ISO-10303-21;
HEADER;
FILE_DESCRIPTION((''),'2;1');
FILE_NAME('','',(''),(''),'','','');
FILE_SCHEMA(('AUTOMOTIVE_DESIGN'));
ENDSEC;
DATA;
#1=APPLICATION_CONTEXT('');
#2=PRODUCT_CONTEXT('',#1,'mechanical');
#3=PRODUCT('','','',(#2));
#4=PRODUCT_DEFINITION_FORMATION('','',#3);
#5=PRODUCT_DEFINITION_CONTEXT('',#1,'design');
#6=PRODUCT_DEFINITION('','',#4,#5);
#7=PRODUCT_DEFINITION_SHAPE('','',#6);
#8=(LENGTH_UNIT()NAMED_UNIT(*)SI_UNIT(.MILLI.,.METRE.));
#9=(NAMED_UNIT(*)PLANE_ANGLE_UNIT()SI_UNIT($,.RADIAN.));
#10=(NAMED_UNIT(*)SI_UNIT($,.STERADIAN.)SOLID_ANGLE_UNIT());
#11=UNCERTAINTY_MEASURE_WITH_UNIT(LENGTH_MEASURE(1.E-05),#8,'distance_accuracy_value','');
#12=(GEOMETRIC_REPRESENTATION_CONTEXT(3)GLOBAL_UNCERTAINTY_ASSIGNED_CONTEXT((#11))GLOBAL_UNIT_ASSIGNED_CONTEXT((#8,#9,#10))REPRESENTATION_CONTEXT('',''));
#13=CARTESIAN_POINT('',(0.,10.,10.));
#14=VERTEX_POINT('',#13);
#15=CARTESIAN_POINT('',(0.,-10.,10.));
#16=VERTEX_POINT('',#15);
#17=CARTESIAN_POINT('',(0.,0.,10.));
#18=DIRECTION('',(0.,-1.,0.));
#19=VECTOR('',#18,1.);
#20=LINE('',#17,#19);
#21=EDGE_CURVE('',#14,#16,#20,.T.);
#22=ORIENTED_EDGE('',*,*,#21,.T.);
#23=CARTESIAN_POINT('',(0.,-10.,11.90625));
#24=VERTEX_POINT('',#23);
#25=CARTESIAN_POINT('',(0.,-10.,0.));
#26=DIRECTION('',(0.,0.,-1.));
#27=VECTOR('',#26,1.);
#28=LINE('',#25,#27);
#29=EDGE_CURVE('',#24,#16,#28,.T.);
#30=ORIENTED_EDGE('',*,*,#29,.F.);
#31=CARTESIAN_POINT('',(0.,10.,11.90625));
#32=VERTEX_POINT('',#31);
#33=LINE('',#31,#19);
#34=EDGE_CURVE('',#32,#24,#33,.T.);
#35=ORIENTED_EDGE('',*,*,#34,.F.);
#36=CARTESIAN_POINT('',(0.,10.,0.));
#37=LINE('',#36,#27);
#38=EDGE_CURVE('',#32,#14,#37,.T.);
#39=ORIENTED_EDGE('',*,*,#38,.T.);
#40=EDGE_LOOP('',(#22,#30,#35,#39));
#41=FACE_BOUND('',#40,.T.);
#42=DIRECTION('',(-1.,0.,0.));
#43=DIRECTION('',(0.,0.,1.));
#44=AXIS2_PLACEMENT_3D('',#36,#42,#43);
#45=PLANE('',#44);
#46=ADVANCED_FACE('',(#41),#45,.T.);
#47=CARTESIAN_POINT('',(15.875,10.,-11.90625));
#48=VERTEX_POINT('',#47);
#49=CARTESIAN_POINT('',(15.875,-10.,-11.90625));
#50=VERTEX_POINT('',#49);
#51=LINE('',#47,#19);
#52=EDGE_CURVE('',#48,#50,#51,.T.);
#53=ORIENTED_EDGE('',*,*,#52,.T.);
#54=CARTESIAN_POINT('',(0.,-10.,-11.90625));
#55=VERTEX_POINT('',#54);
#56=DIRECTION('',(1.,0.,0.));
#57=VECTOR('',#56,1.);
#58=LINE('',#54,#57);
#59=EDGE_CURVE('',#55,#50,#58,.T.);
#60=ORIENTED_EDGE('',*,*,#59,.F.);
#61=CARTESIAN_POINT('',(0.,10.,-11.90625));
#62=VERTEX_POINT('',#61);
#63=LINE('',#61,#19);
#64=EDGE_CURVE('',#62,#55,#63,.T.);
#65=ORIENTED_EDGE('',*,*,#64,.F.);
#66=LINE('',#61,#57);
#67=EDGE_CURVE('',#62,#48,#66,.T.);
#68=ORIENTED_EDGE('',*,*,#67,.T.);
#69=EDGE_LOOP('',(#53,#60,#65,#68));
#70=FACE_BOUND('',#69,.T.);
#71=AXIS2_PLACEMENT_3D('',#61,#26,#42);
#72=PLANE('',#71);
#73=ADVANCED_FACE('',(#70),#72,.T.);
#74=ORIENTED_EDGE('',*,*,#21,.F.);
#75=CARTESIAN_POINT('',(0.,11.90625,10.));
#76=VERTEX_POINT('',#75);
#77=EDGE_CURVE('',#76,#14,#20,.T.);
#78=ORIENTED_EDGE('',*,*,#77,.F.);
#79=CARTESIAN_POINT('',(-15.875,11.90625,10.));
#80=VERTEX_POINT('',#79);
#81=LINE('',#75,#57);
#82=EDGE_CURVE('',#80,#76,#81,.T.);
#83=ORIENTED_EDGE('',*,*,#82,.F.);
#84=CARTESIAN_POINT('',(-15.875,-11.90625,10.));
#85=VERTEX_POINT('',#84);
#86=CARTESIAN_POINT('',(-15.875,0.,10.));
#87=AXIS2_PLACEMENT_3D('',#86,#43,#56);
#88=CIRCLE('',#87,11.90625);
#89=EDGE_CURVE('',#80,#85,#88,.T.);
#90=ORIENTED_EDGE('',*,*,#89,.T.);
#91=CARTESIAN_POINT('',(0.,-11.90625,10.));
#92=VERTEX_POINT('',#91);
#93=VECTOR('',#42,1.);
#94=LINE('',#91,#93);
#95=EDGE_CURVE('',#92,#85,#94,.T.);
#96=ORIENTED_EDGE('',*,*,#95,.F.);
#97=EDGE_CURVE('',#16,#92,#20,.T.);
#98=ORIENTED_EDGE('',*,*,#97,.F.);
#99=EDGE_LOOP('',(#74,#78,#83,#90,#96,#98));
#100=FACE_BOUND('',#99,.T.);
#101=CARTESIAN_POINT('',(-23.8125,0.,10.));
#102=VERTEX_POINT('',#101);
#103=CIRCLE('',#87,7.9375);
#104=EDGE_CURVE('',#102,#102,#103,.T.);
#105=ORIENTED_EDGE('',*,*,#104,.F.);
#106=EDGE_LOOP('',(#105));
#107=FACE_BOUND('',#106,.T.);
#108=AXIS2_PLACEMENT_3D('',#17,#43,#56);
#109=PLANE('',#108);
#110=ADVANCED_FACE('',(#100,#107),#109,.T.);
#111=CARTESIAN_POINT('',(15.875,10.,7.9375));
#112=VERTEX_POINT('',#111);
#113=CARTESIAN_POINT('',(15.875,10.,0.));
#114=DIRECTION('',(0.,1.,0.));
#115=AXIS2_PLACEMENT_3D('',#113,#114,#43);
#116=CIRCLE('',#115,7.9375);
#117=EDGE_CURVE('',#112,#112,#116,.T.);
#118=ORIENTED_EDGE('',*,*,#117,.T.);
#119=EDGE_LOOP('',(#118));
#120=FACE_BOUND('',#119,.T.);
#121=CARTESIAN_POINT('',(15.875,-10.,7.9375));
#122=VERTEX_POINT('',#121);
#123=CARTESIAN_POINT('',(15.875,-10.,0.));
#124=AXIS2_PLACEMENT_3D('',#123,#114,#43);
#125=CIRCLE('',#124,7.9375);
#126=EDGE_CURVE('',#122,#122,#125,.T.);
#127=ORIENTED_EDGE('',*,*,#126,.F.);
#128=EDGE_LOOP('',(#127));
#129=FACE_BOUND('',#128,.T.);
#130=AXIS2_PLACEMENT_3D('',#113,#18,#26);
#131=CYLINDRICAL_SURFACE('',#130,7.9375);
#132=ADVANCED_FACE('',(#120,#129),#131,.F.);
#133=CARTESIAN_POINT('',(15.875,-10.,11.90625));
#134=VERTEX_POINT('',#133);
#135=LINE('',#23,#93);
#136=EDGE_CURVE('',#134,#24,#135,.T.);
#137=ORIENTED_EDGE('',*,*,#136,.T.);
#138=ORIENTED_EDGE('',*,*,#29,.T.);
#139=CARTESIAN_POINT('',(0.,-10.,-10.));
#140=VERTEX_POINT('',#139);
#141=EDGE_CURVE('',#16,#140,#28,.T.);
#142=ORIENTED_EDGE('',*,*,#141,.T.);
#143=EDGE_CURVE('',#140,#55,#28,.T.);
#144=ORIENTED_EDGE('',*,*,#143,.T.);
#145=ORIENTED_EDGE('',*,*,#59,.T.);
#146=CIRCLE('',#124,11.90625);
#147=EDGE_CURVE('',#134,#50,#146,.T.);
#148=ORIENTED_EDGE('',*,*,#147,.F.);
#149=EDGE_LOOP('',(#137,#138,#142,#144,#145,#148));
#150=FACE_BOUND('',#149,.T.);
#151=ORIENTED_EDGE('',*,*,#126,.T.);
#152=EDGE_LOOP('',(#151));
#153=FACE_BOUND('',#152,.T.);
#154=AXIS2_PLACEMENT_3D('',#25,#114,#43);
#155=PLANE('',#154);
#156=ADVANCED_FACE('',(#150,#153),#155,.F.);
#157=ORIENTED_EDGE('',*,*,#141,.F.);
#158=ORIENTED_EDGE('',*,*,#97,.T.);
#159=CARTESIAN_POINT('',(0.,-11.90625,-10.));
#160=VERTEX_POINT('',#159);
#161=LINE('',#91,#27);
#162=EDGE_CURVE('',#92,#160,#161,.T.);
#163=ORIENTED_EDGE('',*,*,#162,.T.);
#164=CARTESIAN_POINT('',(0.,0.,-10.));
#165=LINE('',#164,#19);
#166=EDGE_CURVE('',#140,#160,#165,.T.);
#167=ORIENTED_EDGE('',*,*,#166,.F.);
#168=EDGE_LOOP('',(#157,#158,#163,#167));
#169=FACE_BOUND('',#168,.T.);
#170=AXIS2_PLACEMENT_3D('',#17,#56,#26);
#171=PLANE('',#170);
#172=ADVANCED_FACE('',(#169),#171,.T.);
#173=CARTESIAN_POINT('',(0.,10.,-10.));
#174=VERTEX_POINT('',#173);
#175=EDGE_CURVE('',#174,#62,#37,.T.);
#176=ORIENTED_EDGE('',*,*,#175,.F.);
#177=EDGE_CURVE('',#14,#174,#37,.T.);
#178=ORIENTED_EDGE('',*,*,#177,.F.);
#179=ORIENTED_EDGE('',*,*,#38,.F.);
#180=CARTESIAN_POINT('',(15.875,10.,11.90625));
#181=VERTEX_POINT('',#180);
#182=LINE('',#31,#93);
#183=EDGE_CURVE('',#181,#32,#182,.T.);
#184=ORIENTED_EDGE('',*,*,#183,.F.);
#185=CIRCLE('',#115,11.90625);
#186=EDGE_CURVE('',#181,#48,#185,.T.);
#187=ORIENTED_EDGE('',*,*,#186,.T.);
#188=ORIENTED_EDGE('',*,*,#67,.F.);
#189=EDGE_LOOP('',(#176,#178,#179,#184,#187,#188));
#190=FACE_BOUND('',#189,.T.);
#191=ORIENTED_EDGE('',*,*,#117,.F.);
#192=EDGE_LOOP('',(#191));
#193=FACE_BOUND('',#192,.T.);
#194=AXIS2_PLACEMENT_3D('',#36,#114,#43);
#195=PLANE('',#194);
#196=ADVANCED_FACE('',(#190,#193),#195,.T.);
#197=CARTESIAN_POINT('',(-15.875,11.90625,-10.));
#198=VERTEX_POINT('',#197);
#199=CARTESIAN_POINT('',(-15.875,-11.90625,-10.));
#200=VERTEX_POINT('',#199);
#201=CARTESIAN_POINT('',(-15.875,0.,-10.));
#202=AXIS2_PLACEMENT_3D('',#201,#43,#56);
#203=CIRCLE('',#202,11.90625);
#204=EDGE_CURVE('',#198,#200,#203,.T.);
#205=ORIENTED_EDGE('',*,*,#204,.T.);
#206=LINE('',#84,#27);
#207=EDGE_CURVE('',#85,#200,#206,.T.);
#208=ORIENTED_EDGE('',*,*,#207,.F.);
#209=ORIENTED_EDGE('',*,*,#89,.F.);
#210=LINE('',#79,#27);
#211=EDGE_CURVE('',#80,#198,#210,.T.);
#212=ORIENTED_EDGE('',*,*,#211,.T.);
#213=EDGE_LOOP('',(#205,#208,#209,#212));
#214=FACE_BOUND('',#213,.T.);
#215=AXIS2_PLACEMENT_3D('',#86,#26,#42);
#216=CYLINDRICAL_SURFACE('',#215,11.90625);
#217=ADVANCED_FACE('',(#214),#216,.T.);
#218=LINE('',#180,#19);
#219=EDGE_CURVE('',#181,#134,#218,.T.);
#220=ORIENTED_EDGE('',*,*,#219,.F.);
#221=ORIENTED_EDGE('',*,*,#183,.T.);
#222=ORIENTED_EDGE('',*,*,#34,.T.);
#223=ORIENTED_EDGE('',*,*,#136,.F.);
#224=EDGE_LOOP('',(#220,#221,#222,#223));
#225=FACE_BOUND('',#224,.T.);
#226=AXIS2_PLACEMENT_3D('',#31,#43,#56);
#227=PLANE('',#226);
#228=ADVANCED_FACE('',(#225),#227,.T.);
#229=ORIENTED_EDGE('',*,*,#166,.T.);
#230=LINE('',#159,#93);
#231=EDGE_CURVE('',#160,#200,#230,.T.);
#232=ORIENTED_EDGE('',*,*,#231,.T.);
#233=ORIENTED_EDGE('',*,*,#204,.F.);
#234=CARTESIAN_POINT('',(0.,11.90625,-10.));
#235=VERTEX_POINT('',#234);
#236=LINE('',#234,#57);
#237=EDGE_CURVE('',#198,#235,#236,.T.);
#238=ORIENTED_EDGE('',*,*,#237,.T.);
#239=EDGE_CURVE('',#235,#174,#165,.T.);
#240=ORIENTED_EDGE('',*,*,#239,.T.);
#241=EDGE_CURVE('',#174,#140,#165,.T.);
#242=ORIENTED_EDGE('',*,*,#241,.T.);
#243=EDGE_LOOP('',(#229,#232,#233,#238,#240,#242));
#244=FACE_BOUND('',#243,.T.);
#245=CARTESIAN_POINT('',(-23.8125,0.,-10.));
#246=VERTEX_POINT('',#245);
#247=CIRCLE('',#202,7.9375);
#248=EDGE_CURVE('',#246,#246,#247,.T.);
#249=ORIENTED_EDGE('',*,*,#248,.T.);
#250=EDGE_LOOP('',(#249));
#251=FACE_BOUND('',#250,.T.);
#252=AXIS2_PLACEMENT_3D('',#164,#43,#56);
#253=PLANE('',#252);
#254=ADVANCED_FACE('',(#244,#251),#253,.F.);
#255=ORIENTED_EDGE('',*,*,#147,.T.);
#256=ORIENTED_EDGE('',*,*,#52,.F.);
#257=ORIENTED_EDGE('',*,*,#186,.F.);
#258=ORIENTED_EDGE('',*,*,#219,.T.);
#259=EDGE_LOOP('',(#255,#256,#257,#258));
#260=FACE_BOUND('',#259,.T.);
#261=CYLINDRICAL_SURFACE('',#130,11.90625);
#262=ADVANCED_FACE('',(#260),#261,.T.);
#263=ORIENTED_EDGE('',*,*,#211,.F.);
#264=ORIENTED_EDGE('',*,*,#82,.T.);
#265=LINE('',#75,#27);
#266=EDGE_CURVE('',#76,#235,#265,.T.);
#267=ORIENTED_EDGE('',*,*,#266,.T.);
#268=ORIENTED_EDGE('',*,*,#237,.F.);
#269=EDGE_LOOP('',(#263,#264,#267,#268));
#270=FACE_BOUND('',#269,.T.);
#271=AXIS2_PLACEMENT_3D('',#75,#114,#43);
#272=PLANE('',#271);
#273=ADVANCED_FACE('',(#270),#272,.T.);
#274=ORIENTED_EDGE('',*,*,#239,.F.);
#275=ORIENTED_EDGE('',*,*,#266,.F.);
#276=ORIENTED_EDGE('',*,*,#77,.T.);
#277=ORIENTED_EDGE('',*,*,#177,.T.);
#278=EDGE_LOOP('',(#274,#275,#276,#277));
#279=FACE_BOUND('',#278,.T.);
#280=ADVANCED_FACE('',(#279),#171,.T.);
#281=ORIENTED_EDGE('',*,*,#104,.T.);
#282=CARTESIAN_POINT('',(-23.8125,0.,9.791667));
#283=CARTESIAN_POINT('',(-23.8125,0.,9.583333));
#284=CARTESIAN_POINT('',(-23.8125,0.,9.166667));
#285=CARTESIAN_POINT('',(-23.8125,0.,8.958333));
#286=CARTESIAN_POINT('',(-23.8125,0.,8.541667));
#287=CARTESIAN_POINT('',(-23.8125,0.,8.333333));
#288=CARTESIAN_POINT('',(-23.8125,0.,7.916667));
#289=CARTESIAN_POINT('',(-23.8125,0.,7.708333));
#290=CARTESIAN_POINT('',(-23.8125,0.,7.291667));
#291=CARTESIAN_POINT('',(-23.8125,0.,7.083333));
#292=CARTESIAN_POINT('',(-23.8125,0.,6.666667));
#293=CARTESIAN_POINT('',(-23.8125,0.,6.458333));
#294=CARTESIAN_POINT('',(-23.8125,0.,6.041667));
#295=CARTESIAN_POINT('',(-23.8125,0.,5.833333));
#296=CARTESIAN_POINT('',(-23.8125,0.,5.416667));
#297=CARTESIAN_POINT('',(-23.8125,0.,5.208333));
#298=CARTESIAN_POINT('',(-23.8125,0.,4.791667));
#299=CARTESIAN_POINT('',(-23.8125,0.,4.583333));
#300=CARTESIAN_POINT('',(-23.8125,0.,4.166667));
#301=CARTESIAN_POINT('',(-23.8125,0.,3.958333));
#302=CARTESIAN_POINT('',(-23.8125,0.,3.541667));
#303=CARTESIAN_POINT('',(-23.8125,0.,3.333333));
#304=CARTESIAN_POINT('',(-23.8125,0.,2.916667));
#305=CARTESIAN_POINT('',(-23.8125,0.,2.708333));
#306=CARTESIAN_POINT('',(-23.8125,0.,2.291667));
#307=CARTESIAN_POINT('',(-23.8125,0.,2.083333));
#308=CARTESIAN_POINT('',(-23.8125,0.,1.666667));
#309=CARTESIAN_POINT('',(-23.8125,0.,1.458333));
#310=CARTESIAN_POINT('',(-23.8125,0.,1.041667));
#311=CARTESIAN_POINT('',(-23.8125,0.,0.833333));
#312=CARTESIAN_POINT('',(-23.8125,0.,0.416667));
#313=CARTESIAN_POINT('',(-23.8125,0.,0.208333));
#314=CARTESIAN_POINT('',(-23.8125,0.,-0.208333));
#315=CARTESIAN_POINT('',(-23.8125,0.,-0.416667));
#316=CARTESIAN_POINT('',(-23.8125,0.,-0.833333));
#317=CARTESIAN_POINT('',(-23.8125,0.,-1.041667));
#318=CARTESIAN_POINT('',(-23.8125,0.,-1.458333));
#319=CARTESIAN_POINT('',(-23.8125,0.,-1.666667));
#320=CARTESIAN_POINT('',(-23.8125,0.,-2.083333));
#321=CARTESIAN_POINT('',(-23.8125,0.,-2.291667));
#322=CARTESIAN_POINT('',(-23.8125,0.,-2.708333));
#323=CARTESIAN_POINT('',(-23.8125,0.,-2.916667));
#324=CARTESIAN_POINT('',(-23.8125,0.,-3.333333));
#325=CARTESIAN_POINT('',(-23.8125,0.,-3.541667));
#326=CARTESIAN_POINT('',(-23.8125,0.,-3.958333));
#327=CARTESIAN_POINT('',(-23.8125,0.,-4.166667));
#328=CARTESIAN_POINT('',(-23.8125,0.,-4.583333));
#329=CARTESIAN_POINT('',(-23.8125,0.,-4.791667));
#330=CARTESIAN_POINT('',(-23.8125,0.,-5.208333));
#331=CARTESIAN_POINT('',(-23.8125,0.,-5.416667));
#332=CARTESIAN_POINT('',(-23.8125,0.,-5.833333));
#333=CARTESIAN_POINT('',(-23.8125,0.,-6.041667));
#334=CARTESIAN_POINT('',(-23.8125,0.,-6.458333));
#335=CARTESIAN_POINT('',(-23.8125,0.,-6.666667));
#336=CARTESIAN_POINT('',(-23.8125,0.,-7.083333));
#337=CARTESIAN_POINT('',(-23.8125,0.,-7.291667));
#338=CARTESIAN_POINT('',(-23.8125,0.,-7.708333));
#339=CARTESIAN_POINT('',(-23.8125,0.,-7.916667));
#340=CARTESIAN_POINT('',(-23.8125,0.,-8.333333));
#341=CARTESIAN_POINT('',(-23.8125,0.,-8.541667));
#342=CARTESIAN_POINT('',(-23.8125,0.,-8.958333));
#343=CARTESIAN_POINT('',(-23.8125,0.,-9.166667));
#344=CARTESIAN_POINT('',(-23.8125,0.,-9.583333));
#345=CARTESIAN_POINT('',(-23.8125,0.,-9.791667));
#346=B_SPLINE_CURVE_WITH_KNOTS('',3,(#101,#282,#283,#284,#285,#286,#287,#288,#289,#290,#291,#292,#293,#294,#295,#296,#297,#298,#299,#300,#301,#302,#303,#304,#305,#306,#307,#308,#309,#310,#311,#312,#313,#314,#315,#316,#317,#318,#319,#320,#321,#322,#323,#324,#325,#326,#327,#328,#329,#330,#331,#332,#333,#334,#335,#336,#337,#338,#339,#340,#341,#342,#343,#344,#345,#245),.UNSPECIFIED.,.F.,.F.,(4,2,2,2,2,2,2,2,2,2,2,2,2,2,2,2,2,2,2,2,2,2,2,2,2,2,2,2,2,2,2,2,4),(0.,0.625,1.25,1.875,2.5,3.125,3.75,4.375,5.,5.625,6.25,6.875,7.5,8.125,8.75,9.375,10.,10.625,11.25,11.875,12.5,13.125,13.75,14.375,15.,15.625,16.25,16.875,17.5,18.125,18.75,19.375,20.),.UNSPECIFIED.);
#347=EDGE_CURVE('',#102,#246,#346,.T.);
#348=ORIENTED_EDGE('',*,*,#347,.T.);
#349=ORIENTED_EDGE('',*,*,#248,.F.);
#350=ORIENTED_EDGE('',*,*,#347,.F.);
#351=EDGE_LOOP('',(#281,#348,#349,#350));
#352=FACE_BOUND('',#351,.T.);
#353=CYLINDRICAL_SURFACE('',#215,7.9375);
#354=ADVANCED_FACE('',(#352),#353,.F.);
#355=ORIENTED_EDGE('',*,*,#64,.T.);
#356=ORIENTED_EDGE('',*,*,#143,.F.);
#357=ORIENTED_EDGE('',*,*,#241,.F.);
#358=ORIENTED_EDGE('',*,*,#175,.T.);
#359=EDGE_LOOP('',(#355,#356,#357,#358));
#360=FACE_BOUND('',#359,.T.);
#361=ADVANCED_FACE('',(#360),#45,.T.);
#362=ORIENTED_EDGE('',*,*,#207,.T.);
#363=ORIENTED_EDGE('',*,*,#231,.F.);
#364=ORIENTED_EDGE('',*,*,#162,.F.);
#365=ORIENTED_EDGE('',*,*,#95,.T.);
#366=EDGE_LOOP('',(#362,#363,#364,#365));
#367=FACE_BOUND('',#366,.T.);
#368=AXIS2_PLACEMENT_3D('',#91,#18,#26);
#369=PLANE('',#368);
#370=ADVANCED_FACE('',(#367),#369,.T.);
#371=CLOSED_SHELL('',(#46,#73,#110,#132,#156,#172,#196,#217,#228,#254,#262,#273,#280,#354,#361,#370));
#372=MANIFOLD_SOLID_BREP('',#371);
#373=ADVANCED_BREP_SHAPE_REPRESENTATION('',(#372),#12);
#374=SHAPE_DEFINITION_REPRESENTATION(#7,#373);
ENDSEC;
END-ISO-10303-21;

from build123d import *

# Parameters (mm, degrees)
SKETCH3_R           = 7.9375
BOSS_EXTRUDE2_DEPTH = 10
SKETCH4_R           = 11.90625
SKETCH4_R_2         = 7.9375
BOSS_EXTRUDE3_DEPTH = 10


with BuildPart() as part:
    # Sketch3 → Boss-Extrude2 (new, symmetric)
    with BuildSketch(Plane.XY):
        with BuildLine():
            Line((0, -11.90625), (0, 11.90625))
            Line((0, 11.90625), (-15.875, 11.90625))
            ThreePointArc((-15.875, 11.90625), (-27.78125, 0), (-15.875, -11.90625))
            Line((-15.875, -11.90625), (0, -11.90625))
        make_face()
        with Locations((-15.875, 0)):
            Circle(SKETCH3_R, mode=Mode.SUBTRACT)
    extrude(amount=BOSS_EXTRUDE2_DEPTH, both=True)

    # Sketch4 → Boss-Extrude3 (add, symmetric)
    with BuildSketch(Plane(origin=(0, 0, 0), x_dir=(1, 0, 0), z_dir=(0, 1, 0))):
        with Locations((15.875, 0)):
            Circle(SKETCH4_R)
        with Locations(Location((15.875, 0, 0), (0, 0, 270))):
            Circle(SKETCH4_R_2, mode=Mode.SUBTRACT)
        with BuildLine():
            Line((0, -11.90625), (15.875, -11.90625))
            ThreePointArc((15.875, -11.90625), (3.96875, 0), (15.875, 11.90625))
            Line((15.875, 11.90625), (0, 11.90625))
            Line((0, 11.90625), (0, -11.90625))
        make_face()
    extrude(amount=BOSS_EXTRUDE3_DEPTH, both=True)


solid = part.part
